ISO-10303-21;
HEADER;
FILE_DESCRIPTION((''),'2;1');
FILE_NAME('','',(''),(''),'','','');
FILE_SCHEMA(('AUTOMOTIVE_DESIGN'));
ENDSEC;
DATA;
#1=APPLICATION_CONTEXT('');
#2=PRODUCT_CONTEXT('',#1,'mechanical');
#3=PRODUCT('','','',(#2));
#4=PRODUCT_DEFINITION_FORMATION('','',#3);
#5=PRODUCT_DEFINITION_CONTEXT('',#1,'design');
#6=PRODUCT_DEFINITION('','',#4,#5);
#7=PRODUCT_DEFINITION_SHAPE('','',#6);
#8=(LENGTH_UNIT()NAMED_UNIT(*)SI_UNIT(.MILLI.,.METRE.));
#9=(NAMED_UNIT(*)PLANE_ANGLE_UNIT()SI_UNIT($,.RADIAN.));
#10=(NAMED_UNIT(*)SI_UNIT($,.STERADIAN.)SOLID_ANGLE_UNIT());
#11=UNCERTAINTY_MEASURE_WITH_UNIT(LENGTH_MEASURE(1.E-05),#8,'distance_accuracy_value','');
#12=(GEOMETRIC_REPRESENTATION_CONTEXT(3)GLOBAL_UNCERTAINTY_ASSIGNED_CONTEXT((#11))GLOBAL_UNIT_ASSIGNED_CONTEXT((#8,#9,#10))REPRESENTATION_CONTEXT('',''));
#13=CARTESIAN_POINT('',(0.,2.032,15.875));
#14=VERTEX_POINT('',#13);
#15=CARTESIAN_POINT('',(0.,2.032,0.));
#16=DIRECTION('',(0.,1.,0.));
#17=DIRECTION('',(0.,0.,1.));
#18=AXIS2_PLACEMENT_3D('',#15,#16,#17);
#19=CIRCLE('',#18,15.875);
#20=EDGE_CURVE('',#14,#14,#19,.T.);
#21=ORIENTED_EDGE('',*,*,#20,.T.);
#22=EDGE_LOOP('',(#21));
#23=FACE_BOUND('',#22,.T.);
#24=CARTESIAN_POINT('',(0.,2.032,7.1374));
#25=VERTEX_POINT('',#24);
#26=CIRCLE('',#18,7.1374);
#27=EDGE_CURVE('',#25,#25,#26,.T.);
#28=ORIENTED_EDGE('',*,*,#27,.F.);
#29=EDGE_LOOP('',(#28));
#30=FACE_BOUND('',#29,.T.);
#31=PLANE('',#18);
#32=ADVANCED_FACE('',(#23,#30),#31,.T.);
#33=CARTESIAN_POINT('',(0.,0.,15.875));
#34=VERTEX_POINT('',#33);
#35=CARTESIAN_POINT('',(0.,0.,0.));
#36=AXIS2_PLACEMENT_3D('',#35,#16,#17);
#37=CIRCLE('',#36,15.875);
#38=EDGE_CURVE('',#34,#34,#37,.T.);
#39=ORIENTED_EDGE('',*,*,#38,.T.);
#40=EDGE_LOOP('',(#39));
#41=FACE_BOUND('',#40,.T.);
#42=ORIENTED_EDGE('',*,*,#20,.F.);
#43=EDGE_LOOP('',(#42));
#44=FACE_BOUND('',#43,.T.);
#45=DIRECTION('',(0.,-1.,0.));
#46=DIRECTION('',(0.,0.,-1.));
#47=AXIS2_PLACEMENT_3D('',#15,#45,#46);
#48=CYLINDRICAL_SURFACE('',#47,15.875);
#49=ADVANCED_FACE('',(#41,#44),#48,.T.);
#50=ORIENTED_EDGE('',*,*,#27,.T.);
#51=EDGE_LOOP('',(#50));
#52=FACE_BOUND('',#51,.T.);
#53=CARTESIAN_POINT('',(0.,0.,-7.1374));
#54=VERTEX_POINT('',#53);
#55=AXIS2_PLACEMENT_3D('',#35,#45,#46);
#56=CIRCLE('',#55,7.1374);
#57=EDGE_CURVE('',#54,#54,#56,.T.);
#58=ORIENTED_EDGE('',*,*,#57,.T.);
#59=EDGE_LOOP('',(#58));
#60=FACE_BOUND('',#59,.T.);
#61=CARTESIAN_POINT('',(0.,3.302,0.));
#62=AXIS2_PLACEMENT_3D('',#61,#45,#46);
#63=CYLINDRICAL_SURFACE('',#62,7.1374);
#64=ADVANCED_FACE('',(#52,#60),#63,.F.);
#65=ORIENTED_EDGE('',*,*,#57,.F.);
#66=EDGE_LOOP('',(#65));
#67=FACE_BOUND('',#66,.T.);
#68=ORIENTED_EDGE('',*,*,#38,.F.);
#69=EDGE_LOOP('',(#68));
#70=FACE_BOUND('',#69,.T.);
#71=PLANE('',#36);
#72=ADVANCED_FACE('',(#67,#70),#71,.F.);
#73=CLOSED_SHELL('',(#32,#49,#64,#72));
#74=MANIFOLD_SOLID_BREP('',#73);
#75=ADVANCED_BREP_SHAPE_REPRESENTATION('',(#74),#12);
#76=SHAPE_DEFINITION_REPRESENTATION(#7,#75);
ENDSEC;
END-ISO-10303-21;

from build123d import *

# Parameters (mm, degrees)
SKETCH1_R           = 15.875
BOSS_EXTRUDE2_DEPTH = 2.032
SKETCH3_R           = 7.1374
CUT_EXTRUDE1_DEPTH  = 3.302


with BuildPart() as part:
    # Sketch1 → Boss-Extrude2 (new body)
    with BuildSketch(Plane(origin=(0, 0, 0), x_dir=(1, 0, 0), z_dir=(0, 1, 0))):
        with Locations(Location((0, 0, 0), (0, 0, 270))):
            Circle(SKETCH1_R)
    extrude(amount=BOSS_EXTRUDE2_DEPTH)

    # Sketch3 → Cut-Extrude1 (cut)
    with BuildSketch(Plane(origin=(0, 0, 0), x_dir=(-1, 0, 0), z_dir=(0, -1, 0))):
        with Locations(Location((0, 0, 0), (0, 0, 90))):
            Circle(SKETCH3_R)
    extrude(amount=-CUT_EXTRUDE1_DEPTH, mode=Mode.SUBTRACT)


solid = part.part
